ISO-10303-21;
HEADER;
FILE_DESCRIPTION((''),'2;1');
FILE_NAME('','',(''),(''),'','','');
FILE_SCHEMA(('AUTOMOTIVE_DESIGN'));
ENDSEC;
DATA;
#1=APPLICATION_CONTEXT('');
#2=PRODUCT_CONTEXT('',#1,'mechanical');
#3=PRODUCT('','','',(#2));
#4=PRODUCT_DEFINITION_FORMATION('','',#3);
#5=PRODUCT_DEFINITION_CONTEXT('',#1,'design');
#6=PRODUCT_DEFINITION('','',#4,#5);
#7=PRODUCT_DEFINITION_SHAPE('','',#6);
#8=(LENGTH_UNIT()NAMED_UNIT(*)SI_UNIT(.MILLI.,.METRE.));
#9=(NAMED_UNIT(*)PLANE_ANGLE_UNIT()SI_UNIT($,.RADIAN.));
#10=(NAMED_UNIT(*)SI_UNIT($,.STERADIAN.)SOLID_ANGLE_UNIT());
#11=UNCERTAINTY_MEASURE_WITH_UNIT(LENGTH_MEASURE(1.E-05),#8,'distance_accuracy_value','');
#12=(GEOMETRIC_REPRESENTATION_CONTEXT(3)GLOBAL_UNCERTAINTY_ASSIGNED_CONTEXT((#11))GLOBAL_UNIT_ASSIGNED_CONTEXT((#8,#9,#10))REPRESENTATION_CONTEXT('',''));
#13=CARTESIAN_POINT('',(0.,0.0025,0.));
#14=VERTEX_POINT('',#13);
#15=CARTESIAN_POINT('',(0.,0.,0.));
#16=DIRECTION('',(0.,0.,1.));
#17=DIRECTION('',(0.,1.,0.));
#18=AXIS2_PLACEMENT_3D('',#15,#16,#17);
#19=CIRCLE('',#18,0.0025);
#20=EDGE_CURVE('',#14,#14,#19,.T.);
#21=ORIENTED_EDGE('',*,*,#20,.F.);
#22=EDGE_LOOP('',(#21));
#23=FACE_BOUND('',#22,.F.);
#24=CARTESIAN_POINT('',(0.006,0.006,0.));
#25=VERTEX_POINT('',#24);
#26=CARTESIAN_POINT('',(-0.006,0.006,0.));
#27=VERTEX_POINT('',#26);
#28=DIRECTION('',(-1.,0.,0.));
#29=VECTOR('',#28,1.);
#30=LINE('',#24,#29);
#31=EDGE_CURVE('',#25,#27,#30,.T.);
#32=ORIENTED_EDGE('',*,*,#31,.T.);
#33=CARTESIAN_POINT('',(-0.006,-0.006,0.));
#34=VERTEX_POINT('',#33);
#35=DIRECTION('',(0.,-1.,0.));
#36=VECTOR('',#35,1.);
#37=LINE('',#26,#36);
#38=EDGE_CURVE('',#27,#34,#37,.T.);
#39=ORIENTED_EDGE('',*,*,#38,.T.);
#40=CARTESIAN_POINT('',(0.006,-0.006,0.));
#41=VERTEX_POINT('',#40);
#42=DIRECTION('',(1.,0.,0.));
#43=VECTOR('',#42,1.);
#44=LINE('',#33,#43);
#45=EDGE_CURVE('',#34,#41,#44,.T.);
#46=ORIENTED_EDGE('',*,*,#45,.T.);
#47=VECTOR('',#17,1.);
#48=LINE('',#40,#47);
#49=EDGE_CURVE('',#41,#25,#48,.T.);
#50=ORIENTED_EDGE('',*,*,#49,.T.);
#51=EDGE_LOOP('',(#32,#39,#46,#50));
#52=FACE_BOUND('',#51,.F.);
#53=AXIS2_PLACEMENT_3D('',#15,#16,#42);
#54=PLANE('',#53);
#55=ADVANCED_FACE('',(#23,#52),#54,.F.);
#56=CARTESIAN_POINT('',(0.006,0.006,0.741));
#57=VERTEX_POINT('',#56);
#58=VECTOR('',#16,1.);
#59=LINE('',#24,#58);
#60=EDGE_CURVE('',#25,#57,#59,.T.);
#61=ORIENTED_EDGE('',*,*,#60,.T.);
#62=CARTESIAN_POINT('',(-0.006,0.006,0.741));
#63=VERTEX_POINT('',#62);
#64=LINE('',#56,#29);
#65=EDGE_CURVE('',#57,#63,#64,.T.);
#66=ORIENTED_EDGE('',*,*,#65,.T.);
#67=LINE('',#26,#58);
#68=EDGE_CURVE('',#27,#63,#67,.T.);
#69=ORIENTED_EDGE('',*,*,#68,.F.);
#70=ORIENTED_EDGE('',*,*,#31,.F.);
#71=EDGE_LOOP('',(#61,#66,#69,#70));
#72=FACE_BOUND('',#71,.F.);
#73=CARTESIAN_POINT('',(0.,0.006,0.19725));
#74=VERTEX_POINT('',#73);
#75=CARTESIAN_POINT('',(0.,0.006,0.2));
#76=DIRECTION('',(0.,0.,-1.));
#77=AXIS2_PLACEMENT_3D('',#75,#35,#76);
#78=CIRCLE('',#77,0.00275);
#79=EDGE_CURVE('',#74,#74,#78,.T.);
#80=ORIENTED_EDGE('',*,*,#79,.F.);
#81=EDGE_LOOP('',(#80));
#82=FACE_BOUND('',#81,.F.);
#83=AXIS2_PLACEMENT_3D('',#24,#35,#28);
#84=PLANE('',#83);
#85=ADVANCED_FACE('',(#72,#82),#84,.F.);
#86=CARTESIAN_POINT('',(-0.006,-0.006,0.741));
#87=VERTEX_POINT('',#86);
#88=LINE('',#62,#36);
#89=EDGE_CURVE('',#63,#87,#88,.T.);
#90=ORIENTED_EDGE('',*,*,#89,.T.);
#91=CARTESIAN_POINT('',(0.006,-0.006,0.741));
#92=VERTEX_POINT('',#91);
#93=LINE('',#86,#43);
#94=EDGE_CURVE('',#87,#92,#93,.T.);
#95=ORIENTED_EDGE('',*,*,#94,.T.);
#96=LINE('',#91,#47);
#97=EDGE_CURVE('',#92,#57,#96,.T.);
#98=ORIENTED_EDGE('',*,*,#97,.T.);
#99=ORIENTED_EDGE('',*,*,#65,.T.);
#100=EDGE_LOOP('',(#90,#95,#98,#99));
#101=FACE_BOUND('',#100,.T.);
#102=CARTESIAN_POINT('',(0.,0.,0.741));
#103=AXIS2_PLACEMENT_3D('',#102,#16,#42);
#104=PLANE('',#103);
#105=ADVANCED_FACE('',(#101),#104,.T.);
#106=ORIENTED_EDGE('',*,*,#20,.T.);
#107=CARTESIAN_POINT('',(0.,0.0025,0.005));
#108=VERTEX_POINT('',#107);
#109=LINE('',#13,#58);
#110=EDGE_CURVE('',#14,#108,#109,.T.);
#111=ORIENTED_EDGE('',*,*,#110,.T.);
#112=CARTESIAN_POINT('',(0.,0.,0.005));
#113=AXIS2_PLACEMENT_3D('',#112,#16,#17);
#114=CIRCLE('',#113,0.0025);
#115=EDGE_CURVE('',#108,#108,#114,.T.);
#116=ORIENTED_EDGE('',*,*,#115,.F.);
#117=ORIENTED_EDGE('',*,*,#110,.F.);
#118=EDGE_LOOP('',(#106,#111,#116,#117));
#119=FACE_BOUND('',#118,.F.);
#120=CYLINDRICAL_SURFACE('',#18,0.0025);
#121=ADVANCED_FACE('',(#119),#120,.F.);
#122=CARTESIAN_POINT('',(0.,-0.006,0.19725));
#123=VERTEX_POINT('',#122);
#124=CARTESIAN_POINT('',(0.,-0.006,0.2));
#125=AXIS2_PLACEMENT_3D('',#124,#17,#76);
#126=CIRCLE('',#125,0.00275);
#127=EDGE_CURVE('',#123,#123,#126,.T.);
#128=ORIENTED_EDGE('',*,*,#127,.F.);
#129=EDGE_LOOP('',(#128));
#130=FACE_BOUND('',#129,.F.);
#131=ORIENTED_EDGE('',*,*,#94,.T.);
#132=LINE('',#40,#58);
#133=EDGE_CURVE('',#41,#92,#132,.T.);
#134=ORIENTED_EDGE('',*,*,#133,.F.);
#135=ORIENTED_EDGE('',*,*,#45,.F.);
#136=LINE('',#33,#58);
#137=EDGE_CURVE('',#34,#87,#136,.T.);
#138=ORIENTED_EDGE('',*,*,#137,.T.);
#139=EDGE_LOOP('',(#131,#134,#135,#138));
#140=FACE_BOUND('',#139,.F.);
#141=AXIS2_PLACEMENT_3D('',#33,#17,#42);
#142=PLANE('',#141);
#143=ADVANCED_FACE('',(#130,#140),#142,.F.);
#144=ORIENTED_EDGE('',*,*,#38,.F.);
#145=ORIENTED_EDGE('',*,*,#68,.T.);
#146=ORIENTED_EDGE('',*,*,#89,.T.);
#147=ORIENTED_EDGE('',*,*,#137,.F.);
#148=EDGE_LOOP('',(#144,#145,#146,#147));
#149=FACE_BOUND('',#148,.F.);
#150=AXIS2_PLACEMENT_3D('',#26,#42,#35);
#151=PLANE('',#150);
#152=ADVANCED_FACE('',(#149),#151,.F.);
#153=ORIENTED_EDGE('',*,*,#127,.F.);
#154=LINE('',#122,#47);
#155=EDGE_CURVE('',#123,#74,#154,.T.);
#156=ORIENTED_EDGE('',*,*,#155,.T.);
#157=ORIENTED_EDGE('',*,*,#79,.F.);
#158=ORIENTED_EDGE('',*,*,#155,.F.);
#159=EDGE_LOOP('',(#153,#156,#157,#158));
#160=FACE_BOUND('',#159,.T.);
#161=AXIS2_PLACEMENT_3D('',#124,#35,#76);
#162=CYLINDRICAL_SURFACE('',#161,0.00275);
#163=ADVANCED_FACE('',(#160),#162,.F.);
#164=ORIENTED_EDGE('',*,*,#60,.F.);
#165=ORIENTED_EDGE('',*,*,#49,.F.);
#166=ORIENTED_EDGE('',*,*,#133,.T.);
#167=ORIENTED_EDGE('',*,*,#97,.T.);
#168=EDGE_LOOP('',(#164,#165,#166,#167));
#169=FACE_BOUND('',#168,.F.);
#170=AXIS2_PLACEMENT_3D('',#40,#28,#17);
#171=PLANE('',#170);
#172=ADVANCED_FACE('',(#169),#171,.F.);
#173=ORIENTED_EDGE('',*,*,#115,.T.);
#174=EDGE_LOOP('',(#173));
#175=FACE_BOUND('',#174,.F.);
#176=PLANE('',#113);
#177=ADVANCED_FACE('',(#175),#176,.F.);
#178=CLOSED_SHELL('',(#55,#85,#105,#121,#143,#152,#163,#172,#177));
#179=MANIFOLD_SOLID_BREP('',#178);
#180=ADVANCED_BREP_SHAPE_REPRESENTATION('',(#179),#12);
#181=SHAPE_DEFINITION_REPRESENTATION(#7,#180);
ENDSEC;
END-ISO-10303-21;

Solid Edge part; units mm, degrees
sketch "Sketch1" plane through (0, 0, 0) normal (0, 0, 1) x (1, 0, 0)
  line L0 (-0.006, -0.006) -> (0.006, -0.006)
  line L1 (0.006, -0.006) -> (0.006, 0.006)
  line L2 (0.006, 0.006) -> (-0.006, 0.006)
  line L3 (-0.006, 0.006) -> (-0.006, -0.006)
  dimension "D1" = 0.012
extrude "Protrusion1" add sketch "Sketch1" along normal blind 0.741
hole "Bohrung_1" at (0, -0.006, 0.2) direction (0, 1, 0) diameter 0.0055 end through all
hole "Bohrung_2" at (0, 0, 0) direction (0, 0, 1) diameter 0.005 depth 0.005
